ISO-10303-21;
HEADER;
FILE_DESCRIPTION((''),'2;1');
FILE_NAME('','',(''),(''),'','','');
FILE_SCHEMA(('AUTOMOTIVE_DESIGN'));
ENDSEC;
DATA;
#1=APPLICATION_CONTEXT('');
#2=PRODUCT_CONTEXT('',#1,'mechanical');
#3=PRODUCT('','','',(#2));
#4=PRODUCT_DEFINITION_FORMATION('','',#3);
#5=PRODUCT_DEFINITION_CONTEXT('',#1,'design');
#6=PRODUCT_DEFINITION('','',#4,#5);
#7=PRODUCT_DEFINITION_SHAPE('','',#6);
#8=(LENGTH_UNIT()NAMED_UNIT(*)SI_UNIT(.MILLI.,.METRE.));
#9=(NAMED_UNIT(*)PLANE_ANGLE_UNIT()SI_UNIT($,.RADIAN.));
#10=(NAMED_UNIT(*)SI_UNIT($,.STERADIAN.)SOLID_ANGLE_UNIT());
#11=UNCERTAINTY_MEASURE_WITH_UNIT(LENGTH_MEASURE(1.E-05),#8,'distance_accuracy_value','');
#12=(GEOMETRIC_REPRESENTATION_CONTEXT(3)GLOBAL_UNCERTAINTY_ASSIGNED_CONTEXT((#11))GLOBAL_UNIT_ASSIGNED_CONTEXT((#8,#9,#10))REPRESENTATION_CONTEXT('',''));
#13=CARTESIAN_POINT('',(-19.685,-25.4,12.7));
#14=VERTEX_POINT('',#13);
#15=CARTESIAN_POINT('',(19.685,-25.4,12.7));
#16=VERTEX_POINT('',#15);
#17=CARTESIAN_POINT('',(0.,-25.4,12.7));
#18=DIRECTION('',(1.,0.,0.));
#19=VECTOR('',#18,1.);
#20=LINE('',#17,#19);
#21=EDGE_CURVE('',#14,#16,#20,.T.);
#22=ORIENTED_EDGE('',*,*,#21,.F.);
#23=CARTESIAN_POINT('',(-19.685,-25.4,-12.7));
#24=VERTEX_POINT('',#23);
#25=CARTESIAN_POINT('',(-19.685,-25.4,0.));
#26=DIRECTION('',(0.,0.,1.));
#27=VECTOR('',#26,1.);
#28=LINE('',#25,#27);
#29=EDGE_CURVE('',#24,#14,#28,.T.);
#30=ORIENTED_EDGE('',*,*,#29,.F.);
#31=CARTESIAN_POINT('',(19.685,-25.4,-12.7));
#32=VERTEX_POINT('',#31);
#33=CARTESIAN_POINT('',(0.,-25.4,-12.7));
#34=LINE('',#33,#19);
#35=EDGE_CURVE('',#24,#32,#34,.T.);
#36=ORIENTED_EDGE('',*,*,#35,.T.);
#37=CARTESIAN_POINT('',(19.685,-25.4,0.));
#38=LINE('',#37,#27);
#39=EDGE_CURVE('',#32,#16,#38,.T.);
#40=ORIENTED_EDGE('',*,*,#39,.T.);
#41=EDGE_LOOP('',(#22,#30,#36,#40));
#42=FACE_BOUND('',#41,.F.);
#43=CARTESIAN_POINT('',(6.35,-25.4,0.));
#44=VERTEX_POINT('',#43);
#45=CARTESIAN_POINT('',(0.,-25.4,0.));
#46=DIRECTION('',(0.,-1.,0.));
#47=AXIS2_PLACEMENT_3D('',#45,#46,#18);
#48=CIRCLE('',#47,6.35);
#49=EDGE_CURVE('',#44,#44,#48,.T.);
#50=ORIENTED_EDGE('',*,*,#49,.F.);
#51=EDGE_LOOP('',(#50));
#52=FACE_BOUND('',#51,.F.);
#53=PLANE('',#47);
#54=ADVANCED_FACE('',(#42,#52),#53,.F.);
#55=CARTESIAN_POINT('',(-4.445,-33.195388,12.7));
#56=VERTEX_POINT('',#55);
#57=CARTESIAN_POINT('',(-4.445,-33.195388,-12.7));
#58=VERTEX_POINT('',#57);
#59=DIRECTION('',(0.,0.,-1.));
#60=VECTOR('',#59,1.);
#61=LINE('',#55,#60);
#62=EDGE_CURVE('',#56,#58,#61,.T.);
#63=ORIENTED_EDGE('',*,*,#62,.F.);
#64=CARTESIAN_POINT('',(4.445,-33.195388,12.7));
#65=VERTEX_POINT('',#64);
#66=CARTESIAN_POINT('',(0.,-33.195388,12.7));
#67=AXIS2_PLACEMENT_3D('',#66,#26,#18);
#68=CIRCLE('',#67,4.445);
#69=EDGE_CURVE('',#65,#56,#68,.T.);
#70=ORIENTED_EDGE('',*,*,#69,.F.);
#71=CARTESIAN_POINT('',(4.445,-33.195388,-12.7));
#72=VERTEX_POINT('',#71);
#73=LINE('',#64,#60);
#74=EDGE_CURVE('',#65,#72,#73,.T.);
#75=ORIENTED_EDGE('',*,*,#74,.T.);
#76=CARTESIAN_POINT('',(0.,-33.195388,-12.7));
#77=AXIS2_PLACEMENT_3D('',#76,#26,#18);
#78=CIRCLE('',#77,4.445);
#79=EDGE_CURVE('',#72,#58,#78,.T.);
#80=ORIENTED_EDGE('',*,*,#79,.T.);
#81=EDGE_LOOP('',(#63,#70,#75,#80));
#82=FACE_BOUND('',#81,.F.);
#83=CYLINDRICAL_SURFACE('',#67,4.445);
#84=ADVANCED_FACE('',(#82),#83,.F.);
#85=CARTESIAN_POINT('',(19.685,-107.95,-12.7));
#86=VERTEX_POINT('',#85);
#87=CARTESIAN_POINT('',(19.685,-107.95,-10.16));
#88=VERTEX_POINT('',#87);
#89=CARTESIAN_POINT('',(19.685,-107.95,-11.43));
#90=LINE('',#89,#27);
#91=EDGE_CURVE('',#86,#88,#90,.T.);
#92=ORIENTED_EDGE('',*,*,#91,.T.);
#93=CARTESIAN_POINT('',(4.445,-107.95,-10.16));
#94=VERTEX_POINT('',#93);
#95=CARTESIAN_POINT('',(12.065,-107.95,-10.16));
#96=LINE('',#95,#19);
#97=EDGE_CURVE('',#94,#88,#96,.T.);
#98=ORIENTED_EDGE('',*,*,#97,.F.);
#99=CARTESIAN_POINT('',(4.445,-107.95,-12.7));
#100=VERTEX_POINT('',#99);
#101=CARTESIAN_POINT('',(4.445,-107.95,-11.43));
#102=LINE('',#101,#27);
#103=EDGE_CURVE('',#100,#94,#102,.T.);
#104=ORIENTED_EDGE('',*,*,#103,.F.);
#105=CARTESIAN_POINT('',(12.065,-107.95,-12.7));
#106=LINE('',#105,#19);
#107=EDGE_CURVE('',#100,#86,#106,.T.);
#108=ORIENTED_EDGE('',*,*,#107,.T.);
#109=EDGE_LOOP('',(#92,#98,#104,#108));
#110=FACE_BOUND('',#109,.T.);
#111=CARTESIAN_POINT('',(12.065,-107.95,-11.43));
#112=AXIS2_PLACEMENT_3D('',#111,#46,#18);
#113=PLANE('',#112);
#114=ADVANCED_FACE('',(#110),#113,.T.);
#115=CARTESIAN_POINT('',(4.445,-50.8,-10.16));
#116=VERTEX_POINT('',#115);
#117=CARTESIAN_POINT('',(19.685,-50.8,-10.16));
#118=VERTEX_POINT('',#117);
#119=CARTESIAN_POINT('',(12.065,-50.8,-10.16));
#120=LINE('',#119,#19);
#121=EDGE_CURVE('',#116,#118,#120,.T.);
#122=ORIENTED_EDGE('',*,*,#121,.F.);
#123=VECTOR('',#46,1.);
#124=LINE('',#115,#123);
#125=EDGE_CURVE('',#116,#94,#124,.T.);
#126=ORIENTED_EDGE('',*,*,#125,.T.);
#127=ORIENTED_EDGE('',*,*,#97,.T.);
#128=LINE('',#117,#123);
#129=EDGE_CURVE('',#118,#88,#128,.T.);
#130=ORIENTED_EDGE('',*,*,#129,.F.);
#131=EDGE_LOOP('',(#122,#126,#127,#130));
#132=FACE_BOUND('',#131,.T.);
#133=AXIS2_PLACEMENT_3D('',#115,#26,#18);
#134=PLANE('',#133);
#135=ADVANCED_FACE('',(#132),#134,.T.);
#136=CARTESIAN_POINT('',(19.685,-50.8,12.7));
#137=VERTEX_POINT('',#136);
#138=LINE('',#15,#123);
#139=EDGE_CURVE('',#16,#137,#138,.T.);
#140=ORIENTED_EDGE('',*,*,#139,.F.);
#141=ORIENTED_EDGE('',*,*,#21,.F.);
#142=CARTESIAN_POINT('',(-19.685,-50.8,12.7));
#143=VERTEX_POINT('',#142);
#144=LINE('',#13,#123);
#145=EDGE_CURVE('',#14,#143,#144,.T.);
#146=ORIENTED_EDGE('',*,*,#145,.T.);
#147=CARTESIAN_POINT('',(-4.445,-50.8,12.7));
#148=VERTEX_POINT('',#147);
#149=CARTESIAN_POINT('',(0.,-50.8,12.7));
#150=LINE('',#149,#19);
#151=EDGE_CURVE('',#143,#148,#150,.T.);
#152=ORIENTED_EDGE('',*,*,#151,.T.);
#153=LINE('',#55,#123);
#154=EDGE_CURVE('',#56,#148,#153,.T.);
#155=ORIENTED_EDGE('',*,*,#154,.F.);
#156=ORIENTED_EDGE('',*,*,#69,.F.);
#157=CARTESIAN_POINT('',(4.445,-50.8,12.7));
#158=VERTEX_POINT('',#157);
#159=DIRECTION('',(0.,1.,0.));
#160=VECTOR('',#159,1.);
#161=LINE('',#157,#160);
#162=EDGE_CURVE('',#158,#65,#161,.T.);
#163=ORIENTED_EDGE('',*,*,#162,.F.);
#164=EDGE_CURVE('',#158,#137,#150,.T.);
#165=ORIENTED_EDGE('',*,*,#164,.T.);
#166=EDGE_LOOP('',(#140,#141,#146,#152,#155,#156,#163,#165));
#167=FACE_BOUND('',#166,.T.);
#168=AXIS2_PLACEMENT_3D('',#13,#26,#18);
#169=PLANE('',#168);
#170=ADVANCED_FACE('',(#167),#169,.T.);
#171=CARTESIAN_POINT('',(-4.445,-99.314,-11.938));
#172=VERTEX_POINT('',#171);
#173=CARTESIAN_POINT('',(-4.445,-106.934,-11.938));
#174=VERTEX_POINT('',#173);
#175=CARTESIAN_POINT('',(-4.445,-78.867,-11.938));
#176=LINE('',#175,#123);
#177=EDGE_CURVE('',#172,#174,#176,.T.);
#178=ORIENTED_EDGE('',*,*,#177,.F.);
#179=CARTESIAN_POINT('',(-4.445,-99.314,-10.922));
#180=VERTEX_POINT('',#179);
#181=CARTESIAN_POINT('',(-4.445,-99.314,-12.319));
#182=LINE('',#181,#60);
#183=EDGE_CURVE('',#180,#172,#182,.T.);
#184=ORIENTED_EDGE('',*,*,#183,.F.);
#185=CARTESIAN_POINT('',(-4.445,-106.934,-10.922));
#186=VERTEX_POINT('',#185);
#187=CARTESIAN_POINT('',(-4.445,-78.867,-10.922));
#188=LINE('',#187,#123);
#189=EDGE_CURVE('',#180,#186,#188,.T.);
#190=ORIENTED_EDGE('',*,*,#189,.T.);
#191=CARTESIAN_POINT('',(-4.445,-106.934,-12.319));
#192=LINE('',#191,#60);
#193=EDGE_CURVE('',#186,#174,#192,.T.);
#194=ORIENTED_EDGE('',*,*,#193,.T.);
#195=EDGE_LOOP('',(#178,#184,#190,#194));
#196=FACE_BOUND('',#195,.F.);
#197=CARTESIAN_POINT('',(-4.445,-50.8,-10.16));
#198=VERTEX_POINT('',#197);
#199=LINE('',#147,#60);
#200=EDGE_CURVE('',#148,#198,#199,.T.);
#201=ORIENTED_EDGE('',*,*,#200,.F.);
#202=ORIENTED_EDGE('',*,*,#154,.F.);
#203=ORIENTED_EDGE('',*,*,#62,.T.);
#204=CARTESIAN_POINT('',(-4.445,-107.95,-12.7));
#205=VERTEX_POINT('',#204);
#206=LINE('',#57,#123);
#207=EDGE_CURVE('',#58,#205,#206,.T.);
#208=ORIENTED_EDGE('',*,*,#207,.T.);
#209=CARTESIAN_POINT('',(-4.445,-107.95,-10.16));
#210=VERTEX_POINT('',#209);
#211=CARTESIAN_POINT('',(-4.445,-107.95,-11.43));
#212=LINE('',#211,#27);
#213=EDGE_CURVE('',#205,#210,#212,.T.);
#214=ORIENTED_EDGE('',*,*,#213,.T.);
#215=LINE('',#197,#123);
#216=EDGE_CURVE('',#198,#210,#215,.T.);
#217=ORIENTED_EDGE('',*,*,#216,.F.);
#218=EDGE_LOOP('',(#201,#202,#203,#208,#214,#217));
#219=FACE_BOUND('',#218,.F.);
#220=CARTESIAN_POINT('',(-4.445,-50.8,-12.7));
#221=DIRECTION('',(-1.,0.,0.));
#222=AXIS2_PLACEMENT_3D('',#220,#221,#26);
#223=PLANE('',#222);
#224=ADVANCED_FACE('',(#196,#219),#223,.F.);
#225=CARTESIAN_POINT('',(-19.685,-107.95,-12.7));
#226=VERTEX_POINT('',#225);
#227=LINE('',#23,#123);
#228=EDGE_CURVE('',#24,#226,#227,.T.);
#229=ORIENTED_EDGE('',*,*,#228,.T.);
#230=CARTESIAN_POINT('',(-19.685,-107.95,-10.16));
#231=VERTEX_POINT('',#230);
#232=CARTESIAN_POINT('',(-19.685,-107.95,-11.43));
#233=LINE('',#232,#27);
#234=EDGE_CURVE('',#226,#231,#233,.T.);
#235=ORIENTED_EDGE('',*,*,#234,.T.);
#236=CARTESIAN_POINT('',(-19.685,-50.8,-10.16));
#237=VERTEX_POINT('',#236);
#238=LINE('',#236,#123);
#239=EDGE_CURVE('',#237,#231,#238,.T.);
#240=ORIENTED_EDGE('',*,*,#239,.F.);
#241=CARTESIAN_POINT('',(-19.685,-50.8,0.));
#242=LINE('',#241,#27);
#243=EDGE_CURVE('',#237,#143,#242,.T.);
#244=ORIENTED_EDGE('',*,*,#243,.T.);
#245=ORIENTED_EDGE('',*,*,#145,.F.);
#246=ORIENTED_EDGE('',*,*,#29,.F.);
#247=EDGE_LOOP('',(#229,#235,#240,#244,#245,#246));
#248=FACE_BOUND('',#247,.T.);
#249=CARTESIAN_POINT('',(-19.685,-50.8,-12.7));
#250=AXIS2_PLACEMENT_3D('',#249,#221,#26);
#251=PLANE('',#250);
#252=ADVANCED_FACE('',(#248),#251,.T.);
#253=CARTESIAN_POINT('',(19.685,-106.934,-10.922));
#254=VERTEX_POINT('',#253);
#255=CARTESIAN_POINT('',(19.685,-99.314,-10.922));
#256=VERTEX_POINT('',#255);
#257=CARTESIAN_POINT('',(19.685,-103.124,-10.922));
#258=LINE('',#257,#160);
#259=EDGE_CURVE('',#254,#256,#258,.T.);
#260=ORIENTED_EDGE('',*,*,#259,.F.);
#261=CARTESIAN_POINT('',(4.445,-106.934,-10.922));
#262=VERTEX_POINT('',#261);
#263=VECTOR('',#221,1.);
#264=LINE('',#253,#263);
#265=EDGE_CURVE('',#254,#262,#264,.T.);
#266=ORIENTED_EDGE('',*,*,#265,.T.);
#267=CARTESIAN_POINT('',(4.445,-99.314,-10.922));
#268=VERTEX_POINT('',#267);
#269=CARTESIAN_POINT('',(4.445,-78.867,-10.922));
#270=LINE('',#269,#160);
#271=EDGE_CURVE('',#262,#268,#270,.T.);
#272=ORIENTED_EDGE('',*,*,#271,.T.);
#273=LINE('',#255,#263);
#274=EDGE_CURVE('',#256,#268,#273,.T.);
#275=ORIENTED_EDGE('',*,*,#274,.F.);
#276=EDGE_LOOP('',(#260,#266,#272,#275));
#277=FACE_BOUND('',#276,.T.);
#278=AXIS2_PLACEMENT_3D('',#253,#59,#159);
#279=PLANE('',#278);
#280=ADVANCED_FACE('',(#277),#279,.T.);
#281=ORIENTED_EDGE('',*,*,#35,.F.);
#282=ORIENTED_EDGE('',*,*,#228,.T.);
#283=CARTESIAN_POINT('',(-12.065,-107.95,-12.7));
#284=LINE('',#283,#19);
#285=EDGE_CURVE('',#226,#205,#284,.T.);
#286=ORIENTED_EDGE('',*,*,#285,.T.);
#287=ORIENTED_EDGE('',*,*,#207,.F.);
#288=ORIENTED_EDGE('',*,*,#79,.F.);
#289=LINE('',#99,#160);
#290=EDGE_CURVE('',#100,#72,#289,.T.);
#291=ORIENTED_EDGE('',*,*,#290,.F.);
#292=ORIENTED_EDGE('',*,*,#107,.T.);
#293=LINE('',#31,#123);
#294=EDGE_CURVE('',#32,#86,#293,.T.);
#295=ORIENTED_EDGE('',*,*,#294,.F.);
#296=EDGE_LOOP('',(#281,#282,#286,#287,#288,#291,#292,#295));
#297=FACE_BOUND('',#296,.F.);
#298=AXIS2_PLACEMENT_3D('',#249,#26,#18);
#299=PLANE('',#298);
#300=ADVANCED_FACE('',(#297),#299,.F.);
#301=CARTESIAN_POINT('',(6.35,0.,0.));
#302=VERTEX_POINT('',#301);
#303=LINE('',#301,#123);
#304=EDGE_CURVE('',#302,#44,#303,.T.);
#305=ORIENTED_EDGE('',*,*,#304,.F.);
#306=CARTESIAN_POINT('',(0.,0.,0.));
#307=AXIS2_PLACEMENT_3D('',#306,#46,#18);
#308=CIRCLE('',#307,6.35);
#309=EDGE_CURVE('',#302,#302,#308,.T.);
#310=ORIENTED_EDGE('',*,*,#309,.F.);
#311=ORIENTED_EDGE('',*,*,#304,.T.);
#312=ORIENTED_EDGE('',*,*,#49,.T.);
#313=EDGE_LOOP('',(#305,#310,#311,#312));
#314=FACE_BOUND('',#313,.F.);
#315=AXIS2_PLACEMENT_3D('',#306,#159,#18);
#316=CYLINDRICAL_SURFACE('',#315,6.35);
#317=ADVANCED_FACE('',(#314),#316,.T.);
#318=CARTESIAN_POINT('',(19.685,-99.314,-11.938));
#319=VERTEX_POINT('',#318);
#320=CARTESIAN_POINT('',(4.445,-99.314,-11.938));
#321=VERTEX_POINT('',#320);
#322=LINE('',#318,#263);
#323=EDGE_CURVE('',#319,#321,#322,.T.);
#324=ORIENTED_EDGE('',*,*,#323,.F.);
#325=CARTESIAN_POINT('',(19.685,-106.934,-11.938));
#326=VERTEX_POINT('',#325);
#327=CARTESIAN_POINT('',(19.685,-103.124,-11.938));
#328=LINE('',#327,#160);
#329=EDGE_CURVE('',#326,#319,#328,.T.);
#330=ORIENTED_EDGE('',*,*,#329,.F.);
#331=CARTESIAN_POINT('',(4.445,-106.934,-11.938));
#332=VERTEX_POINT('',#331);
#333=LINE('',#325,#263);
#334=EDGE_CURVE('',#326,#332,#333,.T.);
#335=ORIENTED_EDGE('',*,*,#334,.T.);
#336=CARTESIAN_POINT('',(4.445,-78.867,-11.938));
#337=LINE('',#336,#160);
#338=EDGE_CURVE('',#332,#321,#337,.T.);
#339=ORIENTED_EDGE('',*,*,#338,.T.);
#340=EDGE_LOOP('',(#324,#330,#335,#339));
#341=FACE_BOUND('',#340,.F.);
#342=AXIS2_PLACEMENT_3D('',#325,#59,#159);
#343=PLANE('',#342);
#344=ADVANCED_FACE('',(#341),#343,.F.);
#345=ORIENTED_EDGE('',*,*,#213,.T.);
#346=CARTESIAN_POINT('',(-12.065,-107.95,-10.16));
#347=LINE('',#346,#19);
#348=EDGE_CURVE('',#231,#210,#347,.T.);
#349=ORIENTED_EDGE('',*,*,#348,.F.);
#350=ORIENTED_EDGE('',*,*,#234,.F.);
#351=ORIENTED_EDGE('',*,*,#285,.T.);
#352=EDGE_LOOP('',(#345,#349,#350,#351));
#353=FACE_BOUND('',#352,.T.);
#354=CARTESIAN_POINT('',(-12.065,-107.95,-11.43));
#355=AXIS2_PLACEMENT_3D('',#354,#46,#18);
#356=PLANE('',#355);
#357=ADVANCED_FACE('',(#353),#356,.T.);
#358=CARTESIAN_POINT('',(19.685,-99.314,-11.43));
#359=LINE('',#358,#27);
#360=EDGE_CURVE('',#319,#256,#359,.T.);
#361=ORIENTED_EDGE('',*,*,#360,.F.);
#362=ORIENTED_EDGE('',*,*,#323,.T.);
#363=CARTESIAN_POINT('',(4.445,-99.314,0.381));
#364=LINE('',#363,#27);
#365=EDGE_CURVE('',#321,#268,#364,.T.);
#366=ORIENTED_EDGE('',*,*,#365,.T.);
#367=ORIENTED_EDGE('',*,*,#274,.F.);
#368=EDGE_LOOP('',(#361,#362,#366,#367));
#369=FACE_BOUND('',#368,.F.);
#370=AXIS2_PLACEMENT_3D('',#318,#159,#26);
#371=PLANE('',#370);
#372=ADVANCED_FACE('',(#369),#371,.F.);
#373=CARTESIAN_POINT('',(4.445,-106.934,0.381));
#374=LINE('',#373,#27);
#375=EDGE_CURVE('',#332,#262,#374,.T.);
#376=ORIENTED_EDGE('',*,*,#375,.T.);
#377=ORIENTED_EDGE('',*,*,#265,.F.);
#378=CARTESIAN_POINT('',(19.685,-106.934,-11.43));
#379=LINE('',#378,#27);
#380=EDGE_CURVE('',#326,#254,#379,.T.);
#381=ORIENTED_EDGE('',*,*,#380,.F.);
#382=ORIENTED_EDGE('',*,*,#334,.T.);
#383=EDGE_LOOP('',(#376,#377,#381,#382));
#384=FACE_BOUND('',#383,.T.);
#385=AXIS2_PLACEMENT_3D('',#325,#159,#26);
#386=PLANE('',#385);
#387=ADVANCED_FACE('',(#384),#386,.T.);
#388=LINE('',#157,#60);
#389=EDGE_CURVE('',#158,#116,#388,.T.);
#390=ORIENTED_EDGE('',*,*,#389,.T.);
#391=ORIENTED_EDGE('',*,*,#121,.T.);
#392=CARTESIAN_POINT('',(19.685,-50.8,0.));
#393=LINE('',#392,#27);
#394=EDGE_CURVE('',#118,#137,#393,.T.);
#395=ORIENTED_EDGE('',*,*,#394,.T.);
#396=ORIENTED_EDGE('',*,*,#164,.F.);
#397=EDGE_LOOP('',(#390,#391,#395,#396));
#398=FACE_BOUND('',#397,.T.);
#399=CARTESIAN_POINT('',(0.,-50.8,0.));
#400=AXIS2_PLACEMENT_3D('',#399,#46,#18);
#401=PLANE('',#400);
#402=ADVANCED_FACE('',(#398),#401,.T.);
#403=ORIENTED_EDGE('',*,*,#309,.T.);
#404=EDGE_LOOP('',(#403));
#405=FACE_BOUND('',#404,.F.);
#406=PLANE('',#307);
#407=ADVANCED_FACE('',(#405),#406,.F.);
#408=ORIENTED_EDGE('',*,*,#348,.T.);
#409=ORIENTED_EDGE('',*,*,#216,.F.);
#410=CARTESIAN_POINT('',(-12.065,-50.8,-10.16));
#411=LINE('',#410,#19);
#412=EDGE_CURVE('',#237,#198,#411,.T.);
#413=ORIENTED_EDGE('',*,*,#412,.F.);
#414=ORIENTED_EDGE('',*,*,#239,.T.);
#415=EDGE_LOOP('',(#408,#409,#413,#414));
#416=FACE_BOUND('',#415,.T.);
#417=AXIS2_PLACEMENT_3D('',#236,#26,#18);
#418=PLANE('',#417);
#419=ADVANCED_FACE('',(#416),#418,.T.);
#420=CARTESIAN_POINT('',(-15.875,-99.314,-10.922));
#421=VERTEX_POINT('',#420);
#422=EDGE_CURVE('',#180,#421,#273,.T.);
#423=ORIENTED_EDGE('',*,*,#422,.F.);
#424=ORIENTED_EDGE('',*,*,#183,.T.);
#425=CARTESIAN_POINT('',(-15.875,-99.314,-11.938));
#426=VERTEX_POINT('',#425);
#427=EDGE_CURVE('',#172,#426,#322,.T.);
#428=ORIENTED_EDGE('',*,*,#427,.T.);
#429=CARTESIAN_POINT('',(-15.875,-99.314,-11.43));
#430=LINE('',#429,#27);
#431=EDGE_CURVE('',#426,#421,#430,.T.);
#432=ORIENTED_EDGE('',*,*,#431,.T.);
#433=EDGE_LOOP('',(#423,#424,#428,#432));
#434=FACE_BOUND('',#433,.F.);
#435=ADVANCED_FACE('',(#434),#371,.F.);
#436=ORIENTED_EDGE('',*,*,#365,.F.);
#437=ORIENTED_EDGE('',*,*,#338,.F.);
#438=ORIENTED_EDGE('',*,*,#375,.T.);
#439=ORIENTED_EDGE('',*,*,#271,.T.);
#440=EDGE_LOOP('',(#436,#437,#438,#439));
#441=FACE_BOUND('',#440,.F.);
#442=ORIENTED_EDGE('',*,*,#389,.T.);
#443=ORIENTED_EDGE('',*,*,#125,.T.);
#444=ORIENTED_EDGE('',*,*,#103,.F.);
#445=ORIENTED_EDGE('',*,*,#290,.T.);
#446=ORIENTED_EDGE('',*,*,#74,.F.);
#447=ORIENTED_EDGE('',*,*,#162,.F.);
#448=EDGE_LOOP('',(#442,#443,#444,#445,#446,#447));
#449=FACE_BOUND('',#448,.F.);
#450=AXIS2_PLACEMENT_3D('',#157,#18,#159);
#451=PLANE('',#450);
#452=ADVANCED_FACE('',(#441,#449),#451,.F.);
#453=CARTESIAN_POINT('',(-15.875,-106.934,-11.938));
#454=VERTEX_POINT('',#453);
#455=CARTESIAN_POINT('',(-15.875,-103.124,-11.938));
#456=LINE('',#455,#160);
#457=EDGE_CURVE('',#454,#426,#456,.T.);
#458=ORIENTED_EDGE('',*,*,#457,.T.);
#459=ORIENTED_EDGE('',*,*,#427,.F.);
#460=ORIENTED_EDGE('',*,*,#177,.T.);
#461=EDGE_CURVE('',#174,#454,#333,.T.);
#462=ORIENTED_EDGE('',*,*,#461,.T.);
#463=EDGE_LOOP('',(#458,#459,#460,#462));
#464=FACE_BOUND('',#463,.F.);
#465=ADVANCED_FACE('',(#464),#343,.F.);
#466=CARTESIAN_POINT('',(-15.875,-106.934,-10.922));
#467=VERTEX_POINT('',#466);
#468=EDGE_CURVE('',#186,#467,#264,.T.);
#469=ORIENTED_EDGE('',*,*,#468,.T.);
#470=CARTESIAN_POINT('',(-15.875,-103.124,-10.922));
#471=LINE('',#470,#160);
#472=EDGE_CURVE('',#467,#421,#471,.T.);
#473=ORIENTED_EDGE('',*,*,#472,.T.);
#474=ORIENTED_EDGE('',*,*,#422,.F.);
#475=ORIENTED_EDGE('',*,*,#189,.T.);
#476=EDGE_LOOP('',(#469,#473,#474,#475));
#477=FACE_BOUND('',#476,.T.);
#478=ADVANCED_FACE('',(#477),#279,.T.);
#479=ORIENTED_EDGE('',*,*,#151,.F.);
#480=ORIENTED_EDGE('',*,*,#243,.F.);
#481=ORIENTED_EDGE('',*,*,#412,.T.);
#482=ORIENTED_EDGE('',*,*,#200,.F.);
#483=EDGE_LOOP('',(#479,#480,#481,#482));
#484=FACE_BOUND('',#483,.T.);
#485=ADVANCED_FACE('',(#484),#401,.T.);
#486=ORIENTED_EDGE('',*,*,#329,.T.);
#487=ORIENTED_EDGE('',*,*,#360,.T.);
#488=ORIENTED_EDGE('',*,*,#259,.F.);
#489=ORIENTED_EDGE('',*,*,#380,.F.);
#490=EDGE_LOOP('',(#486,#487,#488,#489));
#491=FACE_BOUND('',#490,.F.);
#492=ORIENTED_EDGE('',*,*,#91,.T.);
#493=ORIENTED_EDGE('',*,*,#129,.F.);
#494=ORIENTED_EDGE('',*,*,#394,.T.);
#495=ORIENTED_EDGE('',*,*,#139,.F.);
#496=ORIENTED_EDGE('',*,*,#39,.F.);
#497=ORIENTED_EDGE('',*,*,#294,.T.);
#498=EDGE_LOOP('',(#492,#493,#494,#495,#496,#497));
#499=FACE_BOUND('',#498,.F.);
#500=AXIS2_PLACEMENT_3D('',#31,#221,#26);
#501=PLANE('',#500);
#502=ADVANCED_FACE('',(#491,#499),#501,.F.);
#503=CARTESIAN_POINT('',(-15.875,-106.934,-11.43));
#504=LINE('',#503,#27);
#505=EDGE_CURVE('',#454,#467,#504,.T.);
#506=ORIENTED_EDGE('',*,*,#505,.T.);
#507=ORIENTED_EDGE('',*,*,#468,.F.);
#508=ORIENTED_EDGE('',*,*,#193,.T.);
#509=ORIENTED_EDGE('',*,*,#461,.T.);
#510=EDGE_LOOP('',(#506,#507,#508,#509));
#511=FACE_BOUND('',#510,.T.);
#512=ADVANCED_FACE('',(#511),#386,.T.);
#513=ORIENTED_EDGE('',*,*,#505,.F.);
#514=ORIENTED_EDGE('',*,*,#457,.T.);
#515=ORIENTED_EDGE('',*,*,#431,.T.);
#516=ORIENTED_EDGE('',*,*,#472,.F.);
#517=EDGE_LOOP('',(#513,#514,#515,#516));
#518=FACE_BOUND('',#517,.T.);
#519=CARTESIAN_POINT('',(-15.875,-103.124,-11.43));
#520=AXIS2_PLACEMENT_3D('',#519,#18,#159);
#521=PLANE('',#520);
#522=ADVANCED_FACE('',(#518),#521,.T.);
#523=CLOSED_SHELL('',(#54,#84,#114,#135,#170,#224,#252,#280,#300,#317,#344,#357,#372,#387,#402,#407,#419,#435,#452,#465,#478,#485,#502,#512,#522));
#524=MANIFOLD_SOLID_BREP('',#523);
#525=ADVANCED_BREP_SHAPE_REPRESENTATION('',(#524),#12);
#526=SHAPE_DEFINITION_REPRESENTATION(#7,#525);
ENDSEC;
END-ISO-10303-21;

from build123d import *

# Parameters (mm, degrees)
F0_R     = 6.35
F1_DEPTH = 25.4
F2_W     = 39.37
F2_H     = 25.4
F3_DEPTH = 25.4
F5_DEPTH = 25.4
F6_W     = 15.24
F6_H     = 2.54
F7_DEPTH = 57.15
F8_W     = 7.62
F8_H     = 1.016
F9_DEPTH = 35.56


with BuildPart() as f1:
    # F0 (on Front) → F1 (new body)
    with BuildSketch(Plane.XZ):
        Circle(F0_R)
    extrude(amount=F1_DEPTH)

    # F2 (on face) → F3 (join)
    with BuildSketch(Plane.XZ.offset(25.4)):
        Rectangle(F2_W, F2_H)
    extrude(amount=F3_DEPTH)

    # F4 (on face) → F5 (cut)
    with BuildSketch(Plane.XY.offset(12.7)):
        with BuildLine():
            Line((-4.445, -33.1953875721), (-4.445, -50.8))
            Line((-4.445, -50.8), (4.445, -50.8))
            Line((4.445, -50.8), (4.445, -33.1953875721))
            ThreePointArc((4.445, -33.1953875721), (0, -37.6403875721), (-4.445, -33.1953875721))
        make_face()
        with BuildLine():
            ThreePointArc((4.445, -33.1953875721), (0, -28.7503875721), (-4.445, -33.1953875721))
            Line((-4.445, -33.1953875721), (4.445, -33.1953875721))
        make_face()
        with BuildLine():
            Line((4.445, -33.1953875721), (-4.445, -33.1953875721))
            ThreePointArc((-4.445, -33.1953875721), (0, -37.6403875721), (4.445, -33.1953875721))
        make_face()
    extrude(amount=-F5_DEPTH, mode=Mode.SUBTRACT)

    # F6 (on face) → F7 (join)
    with BuildSketch(Plane.XZ.offset(50.8)):
        with Locations((-12.065, -11.43)):
            Rectangle(F6_W, F6_H)
        with Locations((12.065, -11.43)):
            Rectangle(F6_W, F6_H)
    extrude(amount=F7_DEPTH)

    # F8 (on face) → F9 (cut)
    with BuildSketch(Plane.YZ.offset(19.685)):
        with Locations((-103.124, -11.43)):
            Rectangle(F8_W, F8_H)
    extrude(amount=-F9_DEPTH, mode=Mode.SUBTRACT)


solid = f1.part
